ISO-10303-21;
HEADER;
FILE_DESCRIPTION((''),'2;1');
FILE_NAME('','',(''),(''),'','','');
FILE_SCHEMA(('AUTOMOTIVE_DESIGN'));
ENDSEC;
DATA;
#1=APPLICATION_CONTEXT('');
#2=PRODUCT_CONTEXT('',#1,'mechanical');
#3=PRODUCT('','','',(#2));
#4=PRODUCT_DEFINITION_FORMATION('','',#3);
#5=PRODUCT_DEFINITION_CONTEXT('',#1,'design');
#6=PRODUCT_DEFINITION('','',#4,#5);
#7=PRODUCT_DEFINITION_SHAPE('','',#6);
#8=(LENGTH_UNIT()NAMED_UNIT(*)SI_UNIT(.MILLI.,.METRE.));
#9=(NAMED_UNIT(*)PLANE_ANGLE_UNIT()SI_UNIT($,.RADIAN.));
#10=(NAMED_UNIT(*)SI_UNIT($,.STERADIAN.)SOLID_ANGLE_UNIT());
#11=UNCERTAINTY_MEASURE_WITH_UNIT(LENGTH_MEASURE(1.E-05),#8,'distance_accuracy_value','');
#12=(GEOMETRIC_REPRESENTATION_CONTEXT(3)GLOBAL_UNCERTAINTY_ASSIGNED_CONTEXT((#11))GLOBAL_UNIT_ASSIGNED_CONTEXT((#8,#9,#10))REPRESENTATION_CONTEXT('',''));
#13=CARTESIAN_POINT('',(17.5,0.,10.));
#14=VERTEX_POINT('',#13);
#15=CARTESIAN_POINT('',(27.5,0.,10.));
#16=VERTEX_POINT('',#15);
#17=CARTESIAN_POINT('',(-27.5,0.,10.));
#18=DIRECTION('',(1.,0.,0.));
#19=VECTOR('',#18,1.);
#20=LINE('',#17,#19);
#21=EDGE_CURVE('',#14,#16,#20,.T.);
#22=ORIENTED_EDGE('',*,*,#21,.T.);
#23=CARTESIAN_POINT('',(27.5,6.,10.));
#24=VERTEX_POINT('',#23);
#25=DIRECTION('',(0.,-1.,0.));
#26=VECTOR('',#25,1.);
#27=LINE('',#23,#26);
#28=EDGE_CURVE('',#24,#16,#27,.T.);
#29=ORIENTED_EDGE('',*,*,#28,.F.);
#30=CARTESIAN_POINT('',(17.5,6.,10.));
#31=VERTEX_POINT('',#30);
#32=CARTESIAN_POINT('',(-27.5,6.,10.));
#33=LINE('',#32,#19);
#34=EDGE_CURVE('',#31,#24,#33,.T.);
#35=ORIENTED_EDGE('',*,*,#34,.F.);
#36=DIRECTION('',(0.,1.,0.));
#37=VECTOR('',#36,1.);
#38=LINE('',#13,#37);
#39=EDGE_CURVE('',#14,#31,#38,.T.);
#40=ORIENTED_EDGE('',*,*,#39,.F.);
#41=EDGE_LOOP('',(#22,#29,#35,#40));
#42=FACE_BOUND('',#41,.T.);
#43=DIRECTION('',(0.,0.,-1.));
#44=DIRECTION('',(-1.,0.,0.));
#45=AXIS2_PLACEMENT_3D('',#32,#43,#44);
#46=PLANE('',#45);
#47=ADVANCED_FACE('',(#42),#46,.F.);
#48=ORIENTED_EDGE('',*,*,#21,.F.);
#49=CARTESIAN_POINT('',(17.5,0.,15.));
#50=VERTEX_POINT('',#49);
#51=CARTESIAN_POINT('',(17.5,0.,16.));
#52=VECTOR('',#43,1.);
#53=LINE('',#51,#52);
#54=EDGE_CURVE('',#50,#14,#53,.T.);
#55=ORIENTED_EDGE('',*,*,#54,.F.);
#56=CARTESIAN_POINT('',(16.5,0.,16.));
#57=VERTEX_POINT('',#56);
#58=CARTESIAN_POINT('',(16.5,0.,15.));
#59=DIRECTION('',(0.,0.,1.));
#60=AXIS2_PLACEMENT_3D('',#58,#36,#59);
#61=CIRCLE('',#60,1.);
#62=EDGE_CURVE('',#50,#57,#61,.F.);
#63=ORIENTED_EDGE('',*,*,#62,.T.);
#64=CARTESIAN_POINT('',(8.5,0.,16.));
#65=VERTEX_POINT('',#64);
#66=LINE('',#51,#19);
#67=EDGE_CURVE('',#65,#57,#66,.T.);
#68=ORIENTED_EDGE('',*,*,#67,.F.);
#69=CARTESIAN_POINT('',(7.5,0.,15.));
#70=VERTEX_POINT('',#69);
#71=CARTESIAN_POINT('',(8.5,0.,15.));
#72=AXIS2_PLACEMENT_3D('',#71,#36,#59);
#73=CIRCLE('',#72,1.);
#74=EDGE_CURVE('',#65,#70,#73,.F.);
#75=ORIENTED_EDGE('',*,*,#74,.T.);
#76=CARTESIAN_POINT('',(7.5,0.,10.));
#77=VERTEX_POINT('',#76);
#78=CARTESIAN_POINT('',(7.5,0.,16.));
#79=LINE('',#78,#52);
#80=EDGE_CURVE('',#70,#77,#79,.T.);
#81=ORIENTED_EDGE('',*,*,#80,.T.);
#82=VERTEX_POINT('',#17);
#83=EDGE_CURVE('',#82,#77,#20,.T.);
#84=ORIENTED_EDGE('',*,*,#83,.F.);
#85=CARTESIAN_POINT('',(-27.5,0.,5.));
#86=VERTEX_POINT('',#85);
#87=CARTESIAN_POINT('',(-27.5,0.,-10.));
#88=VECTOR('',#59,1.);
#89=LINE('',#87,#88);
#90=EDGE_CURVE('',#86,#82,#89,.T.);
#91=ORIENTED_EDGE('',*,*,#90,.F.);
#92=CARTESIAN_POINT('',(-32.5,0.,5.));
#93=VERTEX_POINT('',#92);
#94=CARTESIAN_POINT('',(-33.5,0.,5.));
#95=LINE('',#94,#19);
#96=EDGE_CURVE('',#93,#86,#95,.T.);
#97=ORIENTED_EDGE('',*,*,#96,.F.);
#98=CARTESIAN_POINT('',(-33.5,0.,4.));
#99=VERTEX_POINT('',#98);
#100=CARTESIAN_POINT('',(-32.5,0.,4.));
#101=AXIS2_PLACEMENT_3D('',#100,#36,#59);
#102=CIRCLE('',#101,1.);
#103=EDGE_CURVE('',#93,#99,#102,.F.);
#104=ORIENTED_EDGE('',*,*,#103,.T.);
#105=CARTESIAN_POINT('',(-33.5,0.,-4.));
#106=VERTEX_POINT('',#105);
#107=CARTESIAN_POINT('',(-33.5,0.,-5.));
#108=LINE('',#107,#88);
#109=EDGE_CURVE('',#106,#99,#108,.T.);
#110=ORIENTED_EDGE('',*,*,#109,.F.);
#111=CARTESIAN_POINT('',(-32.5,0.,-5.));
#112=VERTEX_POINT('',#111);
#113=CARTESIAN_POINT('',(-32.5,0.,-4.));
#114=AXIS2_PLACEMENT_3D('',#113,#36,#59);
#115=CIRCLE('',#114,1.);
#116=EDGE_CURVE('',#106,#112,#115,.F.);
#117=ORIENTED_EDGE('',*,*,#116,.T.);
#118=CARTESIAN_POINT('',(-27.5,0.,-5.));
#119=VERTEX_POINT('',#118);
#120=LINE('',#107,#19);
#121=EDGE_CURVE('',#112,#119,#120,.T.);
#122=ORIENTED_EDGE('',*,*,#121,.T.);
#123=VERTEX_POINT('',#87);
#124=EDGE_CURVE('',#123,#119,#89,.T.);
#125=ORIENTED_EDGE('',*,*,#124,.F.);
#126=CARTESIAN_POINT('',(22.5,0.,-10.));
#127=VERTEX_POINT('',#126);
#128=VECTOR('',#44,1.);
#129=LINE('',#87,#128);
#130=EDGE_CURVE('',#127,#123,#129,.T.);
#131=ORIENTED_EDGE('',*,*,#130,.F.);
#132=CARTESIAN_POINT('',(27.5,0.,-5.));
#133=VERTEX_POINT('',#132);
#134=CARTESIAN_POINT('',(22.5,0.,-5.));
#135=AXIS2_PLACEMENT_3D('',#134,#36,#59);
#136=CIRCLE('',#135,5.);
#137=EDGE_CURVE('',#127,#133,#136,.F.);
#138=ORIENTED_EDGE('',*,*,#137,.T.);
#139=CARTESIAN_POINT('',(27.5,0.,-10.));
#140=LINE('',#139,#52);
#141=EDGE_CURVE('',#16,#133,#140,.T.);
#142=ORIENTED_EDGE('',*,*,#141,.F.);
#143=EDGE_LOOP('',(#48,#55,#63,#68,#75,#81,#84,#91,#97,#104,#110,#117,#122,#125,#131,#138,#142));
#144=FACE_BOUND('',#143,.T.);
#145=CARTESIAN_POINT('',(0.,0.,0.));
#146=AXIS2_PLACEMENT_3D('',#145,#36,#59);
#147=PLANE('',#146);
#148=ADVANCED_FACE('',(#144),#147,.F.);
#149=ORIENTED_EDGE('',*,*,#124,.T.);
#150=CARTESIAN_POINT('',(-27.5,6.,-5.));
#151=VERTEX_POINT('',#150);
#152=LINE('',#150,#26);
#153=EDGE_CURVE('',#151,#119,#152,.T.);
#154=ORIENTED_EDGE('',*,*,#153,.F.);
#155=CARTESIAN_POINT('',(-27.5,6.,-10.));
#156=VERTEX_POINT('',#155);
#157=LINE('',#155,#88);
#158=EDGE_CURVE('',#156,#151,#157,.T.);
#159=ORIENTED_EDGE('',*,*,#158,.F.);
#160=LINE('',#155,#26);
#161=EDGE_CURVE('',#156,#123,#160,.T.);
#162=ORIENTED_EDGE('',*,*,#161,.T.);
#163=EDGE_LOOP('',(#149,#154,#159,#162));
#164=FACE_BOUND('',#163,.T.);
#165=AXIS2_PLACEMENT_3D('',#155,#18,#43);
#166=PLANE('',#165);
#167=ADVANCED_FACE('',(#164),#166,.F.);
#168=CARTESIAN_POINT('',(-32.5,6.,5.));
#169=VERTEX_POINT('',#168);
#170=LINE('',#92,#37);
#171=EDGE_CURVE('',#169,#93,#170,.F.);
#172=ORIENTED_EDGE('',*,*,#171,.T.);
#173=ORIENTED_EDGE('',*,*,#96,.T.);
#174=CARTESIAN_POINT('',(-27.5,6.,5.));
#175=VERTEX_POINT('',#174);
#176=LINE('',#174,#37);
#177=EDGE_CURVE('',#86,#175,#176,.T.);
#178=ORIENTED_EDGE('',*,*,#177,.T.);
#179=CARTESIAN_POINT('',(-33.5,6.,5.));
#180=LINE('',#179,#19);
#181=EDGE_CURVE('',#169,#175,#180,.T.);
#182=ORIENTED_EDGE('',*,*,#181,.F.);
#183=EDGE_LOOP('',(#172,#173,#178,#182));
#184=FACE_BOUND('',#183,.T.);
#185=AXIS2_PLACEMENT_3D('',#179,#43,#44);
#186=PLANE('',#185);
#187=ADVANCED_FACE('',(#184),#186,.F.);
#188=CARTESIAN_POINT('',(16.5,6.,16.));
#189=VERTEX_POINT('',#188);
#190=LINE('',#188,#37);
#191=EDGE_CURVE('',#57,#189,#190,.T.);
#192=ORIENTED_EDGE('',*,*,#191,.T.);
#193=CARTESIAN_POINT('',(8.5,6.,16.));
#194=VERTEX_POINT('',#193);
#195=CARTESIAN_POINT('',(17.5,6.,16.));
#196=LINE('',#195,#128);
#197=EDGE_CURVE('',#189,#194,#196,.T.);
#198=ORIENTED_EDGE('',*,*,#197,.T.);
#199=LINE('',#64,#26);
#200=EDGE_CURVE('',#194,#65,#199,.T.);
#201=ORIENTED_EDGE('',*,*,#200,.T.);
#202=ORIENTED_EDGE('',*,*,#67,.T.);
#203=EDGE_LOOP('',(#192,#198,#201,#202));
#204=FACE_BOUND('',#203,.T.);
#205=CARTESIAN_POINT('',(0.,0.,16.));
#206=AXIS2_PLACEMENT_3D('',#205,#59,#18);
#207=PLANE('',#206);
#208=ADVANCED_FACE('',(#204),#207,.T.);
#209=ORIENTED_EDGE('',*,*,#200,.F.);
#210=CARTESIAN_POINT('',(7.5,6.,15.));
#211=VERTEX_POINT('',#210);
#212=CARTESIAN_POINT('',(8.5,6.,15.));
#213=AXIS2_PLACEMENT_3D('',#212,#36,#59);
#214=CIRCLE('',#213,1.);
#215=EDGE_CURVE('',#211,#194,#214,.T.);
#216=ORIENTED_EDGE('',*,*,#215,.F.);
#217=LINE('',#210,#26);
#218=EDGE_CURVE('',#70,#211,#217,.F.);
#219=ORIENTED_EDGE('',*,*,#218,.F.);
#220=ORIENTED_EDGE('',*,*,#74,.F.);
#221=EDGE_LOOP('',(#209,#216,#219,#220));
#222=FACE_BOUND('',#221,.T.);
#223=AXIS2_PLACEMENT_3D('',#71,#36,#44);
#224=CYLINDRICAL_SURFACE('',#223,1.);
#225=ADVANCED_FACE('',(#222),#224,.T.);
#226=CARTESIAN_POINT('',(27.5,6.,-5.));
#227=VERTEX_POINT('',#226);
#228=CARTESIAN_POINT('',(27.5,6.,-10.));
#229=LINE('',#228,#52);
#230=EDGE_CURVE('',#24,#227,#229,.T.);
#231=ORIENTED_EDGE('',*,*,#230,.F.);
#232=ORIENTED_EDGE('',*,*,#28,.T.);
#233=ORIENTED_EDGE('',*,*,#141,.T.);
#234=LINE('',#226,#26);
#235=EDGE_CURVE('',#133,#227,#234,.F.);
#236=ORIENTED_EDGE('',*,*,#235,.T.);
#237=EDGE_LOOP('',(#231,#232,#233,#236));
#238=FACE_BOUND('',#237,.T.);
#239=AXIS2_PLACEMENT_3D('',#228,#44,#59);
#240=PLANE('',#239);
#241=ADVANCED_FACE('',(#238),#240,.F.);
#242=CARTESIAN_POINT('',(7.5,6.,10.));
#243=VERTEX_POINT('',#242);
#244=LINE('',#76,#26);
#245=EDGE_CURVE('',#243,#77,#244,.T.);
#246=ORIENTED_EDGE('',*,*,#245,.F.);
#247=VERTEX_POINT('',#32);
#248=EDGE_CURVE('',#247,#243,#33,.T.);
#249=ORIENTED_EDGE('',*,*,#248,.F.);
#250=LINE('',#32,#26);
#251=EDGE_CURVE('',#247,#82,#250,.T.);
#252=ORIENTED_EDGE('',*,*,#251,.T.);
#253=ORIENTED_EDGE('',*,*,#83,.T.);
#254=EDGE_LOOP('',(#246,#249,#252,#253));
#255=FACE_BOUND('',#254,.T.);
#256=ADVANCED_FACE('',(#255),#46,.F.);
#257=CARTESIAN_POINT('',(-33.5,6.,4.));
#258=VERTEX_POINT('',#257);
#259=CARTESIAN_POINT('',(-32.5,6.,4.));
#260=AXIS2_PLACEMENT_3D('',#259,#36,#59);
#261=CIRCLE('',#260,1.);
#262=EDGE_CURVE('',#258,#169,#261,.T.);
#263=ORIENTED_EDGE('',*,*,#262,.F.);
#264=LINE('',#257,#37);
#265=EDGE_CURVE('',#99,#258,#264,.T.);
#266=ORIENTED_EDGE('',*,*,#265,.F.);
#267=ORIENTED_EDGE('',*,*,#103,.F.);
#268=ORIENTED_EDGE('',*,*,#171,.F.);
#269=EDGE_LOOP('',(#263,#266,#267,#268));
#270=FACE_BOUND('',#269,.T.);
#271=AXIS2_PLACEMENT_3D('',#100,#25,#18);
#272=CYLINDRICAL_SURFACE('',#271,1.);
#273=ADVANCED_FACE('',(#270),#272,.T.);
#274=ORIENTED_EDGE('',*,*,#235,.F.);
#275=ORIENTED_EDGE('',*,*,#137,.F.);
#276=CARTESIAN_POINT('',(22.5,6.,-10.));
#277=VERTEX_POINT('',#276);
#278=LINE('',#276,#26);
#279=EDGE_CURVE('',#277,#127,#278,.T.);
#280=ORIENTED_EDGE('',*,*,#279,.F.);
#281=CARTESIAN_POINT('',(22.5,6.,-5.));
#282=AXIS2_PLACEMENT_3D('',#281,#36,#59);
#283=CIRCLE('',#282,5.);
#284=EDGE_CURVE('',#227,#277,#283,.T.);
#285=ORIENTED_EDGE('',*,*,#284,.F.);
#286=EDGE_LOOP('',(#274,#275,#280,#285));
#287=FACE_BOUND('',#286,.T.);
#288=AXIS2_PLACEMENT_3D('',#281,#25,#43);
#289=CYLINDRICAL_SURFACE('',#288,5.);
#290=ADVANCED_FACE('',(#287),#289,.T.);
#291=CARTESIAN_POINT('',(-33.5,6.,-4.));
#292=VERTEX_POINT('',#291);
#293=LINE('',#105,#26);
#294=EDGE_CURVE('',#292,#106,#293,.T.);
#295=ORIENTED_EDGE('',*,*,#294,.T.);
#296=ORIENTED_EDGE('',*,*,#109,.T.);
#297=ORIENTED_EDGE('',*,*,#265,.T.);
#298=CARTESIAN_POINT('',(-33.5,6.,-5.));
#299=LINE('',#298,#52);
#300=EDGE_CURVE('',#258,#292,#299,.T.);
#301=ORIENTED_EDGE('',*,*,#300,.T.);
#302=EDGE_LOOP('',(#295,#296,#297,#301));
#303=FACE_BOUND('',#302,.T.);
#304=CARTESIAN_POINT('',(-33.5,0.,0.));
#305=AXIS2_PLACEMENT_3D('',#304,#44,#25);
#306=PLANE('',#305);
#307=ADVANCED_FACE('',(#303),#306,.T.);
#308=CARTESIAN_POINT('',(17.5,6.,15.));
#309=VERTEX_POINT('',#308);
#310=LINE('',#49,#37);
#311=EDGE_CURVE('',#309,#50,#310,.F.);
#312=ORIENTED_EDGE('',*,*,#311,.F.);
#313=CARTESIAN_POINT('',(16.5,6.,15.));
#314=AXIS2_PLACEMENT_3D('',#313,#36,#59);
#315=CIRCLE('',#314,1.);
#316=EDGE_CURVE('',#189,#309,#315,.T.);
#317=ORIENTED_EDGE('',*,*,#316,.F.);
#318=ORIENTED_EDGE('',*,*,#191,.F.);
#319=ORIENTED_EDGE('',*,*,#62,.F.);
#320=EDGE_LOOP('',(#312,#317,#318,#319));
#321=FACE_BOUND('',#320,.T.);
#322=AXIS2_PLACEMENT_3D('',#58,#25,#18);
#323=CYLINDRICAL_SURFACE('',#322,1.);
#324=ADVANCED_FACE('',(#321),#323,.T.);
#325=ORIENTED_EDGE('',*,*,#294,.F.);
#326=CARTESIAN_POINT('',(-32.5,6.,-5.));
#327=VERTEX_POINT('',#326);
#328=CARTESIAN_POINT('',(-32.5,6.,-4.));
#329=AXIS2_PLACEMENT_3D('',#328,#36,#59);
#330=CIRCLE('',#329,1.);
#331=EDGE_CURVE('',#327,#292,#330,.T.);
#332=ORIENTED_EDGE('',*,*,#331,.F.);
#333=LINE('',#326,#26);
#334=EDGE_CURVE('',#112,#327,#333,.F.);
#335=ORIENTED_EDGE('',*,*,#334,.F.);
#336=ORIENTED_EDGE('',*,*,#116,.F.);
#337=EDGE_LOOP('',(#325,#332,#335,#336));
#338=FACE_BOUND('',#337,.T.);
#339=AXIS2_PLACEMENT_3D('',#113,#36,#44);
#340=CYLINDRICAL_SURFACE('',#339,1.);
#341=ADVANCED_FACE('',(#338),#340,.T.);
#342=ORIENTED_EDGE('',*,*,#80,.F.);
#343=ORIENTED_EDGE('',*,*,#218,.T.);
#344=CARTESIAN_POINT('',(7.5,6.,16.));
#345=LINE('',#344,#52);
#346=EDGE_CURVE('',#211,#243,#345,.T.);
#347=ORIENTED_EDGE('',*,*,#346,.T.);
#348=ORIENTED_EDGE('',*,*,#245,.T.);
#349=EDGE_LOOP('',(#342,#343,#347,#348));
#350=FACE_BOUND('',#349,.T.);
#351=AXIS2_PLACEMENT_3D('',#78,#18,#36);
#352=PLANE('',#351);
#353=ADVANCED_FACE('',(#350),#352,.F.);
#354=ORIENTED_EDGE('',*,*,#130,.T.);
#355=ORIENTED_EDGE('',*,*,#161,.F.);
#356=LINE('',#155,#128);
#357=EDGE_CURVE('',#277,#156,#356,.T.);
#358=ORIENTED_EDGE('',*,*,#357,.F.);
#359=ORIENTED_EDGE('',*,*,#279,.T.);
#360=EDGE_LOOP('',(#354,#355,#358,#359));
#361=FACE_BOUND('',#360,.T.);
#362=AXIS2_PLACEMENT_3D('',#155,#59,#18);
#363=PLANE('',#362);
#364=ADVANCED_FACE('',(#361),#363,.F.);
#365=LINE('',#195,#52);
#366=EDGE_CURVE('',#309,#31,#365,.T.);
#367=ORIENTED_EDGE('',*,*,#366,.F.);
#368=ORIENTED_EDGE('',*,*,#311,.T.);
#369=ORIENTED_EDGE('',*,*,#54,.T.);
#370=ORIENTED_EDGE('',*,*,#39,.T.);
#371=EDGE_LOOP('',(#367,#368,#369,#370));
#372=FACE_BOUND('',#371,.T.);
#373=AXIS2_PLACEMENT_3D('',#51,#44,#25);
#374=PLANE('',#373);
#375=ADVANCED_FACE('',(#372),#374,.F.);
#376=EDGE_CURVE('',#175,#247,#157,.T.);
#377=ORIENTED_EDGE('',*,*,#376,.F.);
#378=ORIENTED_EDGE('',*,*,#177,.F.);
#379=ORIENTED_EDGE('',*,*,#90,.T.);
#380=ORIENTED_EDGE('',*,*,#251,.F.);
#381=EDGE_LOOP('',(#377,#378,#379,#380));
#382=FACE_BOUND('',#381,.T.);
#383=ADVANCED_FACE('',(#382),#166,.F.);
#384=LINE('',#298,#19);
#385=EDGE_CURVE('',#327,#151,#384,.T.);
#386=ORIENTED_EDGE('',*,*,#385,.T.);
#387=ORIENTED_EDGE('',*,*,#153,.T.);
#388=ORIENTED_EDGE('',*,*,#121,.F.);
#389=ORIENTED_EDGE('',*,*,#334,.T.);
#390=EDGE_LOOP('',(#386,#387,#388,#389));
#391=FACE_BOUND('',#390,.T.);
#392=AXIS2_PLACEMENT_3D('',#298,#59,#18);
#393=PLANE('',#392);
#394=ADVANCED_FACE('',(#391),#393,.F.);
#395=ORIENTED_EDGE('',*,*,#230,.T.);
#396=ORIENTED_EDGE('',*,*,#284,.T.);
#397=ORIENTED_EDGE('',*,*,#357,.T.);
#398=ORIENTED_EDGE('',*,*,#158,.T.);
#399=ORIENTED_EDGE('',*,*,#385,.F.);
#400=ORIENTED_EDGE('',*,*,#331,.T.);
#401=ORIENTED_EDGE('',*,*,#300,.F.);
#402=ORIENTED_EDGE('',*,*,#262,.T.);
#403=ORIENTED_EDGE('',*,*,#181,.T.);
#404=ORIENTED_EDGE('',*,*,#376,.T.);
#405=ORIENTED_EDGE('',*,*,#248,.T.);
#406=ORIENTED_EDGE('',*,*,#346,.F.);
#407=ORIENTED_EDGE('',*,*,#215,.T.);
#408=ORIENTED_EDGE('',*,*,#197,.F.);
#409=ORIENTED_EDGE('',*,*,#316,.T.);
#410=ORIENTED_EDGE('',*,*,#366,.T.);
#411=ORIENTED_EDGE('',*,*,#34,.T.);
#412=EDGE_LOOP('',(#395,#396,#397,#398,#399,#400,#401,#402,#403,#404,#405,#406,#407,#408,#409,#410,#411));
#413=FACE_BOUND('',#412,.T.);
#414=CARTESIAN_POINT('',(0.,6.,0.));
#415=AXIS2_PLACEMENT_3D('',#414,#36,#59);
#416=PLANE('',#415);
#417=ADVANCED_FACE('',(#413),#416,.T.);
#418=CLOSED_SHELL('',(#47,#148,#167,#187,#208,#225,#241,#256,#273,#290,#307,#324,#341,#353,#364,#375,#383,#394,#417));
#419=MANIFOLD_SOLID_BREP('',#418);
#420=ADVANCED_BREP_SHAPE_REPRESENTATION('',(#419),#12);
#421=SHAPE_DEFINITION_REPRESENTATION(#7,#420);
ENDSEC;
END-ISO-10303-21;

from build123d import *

# Parameters (mm, degrees)
SKETCH1_W              = 55
SKETCH1_H              = 20
BOSS_EXTRUDE1_DEPTH    = 6
SKETCH234_W            = 10
SKETCH234_H            = 6
BOSS_EXTRUDE234_DEPTH  = 6
FILLET134_R            = 1
SKETCH2342_W           = 10
SKETCH2342_H           = 6
BOSS_EXTRUDE2342_DEPTH = 6
FILLET1342_R           = 1
FILLET1343_R           = 5


with BuildPart() as part:
    # Sketch1 → Boss-Extrude1 (new body)
    with BuildSketch(Plane(origin=(0, 0, 0), x_dir=(1, 0, 0), z_dir=(0, 1, 0))):
        Rectangle(SKETCH1_W, SKETCH1_H)
    extrude(amount=BOSS_EXTRUDE1_DEPTH)

    # Sketch234 → Boss-Extrude234 (add)
    with BuildSketch(Plane(origin=(13.267778608, 6, 10), x_dir=(-1, 0, 0), z_dir=(0, 0, 1))):
        with Locations((0.767778608, 3)):
            Rectangle(SKETCH234_W, SKETCH234_H)
    extrude(amount=BOSS_EXTRUDE234_DEPTH)

    # Fillet134
    fillet134_edges = [part.edges().sort_by_distance(p)[0] for p in [
        (17.5, 3, 16),
        (7.5, 3, 16),
    ]]
    fillet(fillet134_edges, radius=FILLET134_R)

    # Sketch2342 → Boss-Extrude2342 (add)
    with BuildSketch(Plane(origin=(-27.5, 0, -0.767778608), x_dir=(0, 0, 1), z_dir=(-1, 0, 0))):
        with Locations((0.767778608, 3)):
            Rectangle(SKETCH2342_W, SKETCH2342_H)
    extrude(amount=BOSS_EXTRUDE2342_DEPTH)

    # Fillet1342
    fillet1342_edges = [part.edges().sort_by_distance(p)[0] for p in [
        (-33.5, 3, -5),
        (-33.5, 3, 5),
    ]]
    fillet(fillet1342_edges, radius=FILLET1342_R)

    # Fillet1343
    fillet1343_edges = [part.edges().sort_by_distance(p)[0] for p in [
        (27.5, 3, -10),
    ]]
    fillet(fillet1343_edges, radius=FILLET1343_R)


solid = part.part
